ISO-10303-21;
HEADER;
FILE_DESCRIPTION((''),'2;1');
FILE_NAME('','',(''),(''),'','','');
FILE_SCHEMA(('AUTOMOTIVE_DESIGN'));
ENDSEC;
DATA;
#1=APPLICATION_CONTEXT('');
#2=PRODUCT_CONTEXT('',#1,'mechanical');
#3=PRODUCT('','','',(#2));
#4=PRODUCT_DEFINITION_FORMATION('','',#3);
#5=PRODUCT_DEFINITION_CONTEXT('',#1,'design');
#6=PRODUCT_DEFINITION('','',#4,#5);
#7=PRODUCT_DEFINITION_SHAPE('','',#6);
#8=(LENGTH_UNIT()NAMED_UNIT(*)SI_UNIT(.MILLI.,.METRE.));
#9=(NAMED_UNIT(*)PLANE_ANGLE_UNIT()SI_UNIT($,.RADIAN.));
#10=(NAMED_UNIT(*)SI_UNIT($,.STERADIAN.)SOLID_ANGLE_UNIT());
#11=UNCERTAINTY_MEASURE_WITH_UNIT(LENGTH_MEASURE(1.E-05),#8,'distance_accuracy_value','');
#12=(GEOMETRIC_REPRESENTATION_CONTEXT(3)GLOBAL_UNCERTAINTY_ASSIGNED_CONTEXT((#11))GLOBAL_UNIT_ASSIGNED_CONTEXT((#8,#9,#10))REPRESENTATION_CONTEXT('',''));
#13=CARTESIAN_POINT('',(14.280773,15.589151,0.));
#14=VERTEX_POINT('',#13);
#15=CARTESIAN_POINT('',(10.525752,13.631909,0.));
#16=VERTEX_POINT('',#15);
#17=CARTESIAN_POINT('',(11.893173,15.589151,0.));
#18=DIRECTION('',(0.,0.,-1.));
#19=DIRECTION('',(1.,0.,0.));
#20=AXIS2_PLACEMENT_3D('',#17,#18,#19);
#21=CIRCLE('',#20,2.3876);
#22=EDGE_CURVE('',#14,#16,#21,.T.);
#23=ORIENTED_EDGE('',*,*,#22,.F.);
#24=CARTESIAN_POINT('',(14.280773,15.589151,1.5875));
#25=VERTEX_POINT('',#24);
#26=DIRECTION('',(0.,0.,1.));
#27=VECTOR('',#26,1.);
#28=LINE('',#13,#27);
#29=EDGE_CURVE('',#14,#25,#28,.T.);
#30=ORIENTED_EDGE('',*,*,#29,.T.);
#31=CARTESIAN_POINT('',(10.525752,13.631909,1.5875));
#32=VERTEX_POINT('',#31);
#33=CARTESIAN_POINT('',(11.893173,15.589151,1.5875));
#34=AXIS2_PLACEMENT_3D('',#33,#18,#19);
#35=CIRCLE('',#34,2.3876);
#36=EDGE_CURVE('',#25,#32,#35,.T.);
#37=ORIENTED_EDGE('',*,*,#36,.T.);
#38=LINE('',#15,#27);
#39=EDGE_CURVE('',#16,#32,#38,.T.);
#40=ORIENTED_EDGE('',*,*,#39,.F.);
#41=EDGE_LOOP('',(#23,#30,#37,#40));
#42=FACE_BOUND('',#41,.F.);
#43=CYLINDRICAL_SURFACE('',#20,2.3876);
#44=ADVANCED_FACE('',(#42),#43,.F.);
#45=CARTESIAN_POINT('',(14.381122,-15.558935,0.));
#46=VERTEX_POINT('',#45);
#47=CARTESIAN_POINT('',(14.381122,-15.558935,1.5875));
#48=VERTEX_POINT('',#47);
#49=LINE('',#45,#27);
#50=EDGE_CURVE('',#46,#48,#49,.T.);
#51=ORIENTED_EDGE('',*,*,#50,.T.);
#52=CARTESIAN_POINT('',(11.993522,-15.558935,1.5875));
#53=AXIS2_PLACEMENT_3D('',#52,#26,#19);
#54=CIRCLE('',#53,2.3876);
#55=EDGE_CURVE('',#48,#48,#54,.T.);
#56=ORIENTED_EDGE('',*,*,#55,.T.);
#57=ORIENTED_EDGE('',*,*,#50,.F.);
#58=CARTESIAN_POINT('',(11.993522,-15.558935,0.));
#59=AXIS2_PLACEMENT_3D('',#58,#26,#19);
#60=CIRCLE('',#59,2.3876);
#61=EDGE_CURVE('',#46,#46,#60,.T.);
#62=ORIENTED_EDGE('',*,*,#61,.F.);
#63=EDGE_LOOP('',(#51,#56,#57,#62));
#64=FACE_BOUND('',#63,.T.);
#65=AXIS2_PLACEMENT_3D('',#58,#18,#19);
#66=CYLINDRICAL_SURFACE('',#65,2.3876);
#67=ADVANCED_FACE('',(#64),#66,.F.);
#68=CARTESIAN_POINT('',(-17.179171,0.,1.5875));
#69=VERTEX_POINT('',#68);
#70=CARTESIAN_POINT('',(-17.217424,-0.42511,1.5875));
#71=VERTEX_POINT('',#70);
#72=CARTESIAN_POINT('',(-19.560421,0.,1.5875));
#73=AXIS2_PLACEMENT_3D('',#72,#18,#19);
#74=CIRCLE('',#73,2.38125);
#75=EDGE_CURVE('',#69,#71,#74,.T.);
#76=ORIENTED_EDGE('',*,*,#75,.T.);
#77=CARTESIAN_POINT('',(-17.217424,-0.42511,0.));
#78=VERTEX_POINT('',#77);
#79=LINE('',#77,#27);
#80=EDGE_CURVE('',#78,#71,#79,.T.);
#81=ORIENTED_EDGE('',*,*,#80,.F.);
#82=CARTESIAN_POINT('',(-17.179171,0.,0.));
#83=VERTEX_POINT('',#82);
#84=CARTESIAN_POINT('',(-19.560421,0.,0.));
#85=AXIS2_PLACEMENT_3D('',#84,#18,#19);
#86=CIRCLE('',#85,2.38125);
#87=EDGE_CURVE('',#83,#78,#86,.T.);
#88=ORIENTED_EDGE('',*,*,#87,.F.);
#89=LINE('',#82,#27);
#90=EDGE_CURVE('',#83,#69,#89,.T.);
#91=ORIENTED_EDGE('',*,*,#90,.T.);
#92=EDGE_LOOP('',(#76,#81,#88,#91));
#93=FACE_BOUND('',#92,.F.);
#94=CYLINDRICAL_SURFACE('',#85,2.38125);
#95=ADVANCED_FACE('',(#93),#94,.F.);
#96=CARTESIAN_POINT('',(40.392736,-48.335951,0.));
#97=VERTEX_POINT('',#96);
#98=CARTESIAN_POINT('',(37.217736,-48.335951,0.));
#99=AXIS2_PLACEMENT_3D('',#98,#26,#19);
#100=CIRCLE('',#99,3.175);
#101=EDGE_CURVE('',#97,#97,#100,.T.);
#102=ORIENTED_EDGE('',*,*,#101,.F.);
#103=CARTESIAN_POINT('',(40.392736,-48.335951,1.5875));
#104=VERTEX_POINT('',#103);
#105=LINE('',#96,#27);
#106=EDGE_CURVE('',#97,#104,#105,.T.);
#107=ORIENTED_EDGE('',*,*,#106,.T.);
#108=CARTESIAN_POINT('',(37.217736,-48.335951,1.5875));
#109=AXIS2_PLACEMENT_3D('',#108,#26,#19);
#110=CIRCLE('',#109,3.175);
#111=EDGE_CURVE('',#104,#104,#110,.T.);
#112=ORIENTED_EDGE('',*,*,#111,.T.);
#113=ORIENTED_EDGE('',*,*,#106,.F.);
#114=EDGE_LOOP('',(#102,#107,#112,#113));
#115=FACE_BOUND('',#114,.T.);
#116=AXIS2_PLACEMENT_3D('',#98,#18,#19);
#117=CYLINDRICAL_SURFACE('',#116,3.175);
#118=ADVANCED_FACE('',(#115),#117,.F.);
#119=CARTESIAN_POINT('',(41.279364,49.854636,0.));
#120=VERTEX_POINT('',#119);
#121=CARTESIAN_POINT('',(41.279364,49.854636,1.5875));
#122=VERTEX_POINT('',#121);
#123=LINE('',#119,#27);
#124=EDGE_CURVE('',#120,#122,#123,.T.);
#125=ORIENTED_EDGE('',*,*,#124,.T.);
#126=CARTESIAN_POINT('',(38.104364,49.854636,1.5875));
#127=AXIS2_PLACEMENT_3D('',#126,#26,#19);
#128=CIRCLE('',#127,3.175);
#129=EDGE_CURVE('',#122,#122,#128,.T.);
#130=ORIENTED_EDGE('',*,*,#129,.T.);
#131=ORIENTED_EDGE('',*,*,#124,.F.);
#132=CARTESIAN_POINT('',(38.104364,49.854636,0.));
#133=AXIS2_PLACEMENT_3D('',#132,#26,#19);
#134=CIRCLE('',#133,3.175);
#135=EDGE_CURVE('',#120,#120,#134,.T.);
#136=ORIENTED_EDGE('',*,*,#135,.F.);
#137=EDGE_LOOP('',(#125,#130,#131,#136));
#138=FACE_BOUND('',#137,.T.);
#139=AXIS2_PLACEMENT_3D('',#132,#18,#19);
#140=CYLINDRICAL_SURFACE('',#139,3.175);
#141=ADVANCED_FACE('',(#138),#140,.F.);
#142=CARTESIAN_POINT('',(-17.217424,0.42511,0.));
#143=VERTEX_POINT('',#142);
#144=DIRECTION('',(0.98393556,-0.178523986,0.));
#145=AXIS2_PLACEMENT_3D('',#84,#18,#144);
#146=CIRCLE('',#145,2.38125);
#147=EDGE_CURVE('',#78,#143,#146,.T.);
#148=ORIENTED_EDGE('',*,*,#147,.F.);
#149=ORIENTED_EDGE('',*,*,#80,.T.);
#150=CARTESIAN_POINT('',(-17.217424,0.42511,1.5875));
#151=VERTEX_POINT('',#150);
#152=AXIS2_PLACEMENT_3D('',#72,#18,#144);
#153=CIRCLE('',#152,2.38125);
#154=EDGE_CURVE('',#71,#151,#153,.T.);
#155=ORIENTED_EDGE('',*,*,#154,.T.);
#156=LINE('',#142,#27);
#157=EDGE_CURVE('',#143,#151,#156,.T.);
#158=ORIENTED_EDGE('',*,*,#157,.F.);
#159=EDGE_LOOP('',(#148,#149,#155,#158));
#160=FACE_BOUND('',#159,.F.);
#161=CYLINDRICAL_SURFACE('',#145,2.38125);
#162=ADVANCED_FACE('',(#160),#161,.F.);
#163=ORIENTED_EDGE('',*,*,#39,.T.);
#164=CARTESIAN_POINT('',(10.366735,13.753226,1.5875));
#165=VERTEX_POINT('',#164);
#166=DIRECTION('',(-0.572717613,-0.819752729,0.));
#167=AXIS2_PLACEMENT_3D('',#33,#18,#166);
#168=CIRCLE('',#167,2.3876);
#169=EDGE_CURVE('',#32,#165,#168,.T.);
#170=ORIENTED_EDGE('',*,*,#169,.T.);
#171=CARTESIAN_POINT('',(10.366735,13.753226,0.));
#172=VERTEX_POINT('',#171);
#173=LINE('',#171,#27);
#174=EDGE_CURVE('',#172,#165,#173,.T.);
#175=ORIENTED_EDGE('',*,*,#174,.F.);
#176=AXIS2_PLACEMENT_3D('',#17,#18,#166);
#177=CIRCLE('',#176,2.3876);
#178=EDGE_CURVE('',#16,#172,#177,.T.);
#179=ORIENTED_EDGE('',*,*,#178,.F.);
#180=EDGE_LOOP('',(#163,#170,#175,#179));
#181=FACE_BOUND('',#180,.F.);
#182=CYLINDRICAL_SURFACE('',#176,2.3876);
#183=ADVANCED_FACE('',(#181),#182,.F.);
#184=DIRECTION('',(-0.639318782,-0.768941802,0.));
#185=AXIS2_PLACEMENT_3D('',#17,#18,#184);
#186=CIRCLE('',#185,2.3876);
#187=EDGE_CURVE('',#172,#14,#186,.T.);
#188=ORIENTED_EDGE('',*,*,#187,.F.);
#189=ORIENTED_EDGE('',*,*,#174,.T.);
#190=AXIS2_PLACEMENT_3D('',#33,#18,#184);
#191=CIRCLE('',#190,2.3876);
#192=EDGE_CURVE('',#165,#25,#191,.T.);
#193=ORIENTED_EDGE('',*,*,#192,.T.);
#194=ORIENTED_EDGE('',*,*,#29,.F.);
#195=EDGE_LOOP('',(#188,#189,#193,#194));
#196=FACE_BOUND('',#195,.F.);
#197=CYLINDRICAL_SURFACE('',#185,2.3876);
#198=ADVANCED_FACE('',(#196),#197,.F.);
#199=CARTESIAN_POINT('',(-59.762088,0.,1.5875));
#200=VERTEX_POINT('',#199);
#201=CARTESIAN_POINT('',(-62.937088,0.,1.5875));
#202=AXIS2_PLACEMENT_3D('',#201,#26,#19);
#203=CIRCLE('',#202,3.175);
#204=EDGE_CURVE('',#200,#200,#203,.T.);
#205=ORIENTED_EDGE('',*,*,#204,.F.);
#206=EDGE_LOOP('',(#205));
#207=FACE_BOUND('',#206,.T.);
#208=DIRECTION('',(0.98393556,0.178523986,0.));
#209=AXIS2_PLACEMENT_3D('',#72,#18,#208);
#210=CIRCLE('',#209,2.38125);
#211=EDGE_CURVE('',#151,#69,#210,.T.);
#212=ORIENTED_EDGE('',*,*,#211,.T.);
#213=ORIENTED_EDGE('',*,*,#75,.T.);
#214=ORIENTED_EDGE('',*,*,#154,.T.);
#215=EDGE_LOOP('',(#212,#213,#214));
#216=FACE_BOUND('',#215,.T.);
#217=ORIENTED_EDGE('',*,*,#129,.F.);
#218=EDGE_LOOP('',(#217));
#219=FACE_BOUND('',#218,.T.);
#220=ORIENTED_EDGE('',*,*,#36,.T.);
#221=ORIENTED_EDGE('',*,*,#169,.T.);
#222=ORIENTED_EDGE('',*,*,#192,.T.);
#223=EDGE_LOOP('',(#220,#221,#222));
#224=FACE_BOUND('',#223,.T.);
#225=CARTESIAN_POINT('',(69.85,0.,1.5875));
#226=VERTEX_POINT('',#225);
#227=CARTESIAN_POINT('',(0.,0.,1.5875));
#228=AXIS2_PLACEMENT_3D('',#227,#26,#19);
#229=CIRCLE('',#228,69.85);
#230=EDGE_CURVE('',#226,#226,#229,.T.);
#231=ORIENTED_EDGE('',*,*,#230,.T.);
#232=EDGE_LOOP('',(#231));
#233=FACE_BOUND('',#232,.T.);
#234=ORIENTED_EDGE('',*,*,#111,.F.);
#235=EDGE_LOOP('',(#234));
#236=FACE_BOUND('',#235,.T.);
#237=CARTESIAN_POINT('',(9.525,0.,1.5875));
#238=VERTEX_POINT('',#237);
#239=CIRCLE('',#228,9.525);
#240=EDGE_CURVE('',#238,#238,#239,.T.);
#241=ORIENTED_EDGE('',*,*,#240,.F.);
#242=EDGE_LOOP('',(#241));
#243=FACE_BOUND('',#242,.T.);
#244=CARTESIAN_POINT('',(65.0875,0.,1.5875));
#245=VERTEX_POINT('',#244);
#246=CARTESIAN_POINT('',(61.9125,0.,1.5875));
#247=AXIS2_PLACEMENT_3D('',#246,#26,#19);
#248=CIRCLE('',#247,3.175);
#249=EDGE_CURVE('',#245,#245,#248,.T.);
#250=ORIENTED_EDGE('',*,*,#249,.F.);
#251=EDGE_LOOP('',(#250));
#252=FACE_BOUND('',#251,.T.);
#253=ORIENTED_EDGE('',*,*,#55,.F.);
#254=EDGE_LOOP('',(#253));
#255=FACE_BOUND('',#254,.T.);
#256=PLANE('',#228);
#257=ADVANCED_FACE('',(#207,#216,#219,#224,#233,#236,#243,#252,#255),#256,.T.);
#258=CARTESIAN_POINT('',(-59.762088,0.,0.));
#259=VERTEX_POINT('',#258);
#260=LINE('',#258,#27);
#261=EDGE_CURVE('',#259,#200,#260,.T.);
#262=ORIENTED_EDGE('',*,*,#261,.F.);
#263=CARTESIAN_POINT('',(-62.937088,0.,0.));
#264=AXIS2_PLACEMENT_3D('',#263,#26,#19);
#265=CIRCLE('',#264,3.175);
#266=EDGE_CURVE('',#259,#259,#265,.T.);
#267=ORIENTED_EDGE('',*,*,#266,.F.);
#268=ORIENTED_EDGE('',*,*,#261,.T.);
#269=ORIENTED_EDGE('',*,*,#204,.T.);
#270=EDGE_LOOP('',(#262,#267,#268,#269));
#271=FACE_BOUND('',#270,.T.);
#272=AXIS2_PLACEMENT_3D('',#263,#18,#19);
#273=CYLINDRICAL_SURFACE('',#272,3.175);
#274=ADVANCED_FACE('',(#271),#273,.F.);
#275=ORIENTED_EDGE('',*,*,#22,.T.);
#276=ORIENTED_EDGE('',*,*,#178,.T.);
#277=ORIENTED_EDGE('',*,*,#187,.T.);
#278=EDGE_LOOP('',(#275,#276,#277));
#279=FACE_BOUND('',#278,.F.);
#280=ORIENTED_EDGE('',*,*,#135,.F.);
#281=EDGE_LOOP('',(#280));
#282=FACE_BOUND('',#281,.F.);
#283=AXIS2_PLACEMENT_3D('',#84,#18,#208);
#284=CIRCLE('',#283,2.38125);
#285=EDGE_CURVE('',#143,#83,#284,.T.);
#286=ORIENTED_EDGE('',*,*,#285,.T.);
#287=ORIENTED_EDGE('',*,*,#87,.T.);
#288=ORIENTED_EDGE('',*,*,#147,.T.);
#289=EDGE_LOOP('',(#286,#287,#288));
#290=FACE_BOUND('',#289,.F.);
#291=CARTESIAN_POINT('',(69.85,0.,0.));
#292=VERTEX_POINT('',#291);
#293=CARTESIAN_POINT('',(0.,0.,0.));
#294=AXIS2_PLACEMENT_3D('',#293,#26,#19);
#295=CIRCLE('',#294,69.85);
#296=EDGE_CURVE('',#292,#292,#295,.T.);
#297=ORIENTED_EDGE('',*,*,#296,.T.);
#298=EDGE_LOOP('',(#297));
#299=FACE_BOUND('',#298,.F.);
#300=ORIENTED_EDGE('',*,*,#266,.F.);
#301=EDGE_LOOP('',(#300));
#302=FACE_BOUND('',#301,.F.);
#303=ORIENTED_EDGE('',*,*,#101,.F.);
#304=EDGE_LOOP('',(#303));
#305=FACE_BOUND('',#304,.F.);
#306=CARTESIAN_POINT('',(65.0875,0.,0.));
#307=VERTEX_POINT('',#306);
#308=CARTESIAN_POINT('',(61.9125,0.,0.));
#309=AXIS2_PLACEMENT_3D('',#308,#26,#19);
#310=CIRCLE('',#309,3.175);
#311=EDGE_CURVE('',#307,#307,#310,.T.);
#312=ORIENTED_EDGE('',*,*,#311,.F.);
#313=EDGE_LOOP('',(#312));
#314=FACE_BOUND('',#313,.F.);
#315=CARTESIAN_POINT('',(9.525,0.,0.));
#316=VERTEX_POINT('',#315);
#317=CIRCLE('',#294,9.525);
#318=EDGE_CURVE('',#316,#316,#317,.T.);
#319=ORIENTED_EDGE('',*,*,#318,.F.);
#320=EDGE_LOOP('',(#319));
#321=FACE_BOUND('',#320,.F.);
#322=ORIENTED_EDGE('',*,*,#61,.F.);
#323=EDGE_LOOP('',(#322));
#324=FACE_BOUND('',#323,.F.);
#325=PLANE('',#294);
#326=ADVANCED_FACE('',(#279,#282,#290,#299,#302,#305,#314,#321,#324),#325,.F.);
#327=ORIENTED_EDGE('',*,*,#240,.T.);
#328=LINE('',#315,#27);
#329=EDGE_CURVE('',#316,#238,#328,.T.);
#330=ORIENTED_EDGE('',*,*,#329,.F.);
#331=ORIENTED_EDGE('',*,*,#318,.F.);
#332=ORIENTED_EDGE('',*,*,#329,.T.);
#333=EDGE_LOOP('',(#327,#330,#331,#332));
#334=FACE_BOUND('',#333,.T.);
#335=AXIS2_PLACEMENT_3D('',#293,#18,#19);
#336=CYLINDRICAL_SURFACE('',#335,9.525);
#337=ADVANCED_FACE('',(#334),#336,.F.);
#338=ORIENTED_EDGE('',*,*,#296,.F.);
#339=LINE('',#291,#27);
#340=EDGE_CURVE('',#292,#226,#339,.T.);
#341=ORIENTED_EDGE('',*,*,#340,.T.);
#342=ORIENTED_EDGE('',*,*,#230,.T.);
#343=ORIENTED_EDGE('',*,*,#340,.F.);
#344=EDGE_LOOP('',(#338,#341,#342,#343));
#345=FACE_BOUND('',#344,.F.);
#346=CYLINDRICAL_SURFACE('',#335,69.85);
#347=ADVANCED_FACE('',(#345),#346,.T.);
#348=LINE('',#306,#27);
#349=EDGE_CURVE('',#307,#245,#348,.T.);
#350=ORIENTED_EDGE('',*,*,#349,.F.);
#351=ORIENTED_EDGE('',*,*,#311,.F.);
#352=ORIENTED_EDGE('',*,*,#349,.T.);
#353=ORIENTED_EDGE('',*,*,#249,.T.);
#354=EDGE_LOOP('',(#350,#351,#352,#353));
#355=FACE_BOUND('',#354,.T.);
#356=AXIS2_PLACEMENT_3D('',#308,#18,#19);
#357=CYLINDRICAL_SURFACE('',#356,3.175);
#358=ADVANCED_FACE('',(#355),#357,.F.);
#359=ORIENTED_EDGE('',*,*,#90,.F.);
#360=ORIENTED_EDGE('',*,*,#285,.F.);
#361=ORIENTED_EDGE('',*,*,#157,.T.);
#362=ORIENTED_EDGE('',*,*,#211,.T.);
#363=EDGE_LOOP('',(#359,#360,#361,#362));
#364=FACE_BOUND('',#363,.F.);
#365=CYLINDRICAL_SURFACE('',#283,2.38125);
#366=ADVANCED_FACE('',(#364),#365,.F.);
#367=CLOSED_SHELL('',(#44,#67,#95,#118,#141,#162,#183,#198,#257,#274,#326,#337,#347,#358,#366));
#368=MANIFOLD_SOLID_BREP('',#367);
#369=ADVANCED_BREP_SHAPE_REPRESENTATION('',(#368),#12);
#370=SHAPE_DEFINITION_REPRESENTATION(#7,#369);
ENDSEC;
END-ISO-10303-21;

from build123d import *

# Parameters (mm, degrees)
F0_R     = 69.85
F0_R_2   = 3.175
F0_R_3   = 2.3876
F0_R_4   = 9.525
F1_DEPTH = 1.5875


with BuildPart() as f1:
    # F0 (on Top) → F1 (new body)
    with BuildSketch(Plane.XY):
        Circle(F0_R)
        with Locations((37.2177362893, -48.3359512449)):
            Circle(F0_R_2, mode=Mode.SUBTRACT)
        with Locations((11.9935217742, -15.5589354078)):
            Circle(F0_R_3, mode=Mode.SUBTRACT)
        with Locations((-62.9370883107, 0)):
            Circle(F0_R_2, mode=Mode.SUBTRACT)
        with BuildLine():
            ThreePointArc((-17.2174242196, -0.4251102419), (-21.941670772, 0), (-17.2174242196, 0.4251102419))
            ThreePointArc((-17.2174242196, 0.4251102419), (-7.4928399183, 15.5073455315), (10.3667352346, 13.7532256599))
            ThreePointArc((10.3667352346, 13.7532256599), (10.8792419108, 17.7507657799), (14.2807727585, 15.5891511065))
            ThreePointArc((14.2807727585, 15.5891511065), (12.9967533853, 13.4719020517), (10.5257521853, 13.6319094924))
            ThreePointArc((10.5257521853, 13.6319094924), (15.4580397889, 7.594038541), (17.2226715545, 0))
            ThreePointArc((17.2226715545, 0), (0.2125713129, -17.2213596708), (-17.2174242196, -0.4251102419))
        make_face(mode=Mode.SUBTRACT)
        with Locations((61.9125, 0)):
            Circle(F0_R_2, mode=Mode.SUBTRACT)
        with Locations((38.1043638868, 49.8546358273)):
            Circle(F0_R_2, mode=Mode.SUBTRACT)
        with BuildLine():
            ThreePointArc((-17.2174242196, 0.4251102419), (-17.1887534152, 0.2134139429), (-17.179170772, 0))
            ThreePointArc((-17.179170772, 0), (-17.1887534152, -0.2134139429), (-17.2174242196, -0.4251102419))
            ThreePointArc((-17.2174242196, -0.4251102419), (0.2125713129, -17.2213596708), (17.2226715545, 0))
            ThreePointArc((17.2226715545, 0), (15.4580397889, 7.594038541), (10.5257521853, 13.6319094924))
            ThreePointArc((10.5257521853, 13.6319094924), (10.4449728156, 13.6909017326), (10.3667352346, 13.7532256599))
            ThreePointArc((10.3667352346, 13.7532256599), (-7.4928399183, 15.5073455315), (-17.2174242196, 0.4251102419))
        make_face()
        Circle(F0_R_4, mode=Mode.SUBTRACT)
    extrude(amount=F1_DEPTH)


solid = f1.part
